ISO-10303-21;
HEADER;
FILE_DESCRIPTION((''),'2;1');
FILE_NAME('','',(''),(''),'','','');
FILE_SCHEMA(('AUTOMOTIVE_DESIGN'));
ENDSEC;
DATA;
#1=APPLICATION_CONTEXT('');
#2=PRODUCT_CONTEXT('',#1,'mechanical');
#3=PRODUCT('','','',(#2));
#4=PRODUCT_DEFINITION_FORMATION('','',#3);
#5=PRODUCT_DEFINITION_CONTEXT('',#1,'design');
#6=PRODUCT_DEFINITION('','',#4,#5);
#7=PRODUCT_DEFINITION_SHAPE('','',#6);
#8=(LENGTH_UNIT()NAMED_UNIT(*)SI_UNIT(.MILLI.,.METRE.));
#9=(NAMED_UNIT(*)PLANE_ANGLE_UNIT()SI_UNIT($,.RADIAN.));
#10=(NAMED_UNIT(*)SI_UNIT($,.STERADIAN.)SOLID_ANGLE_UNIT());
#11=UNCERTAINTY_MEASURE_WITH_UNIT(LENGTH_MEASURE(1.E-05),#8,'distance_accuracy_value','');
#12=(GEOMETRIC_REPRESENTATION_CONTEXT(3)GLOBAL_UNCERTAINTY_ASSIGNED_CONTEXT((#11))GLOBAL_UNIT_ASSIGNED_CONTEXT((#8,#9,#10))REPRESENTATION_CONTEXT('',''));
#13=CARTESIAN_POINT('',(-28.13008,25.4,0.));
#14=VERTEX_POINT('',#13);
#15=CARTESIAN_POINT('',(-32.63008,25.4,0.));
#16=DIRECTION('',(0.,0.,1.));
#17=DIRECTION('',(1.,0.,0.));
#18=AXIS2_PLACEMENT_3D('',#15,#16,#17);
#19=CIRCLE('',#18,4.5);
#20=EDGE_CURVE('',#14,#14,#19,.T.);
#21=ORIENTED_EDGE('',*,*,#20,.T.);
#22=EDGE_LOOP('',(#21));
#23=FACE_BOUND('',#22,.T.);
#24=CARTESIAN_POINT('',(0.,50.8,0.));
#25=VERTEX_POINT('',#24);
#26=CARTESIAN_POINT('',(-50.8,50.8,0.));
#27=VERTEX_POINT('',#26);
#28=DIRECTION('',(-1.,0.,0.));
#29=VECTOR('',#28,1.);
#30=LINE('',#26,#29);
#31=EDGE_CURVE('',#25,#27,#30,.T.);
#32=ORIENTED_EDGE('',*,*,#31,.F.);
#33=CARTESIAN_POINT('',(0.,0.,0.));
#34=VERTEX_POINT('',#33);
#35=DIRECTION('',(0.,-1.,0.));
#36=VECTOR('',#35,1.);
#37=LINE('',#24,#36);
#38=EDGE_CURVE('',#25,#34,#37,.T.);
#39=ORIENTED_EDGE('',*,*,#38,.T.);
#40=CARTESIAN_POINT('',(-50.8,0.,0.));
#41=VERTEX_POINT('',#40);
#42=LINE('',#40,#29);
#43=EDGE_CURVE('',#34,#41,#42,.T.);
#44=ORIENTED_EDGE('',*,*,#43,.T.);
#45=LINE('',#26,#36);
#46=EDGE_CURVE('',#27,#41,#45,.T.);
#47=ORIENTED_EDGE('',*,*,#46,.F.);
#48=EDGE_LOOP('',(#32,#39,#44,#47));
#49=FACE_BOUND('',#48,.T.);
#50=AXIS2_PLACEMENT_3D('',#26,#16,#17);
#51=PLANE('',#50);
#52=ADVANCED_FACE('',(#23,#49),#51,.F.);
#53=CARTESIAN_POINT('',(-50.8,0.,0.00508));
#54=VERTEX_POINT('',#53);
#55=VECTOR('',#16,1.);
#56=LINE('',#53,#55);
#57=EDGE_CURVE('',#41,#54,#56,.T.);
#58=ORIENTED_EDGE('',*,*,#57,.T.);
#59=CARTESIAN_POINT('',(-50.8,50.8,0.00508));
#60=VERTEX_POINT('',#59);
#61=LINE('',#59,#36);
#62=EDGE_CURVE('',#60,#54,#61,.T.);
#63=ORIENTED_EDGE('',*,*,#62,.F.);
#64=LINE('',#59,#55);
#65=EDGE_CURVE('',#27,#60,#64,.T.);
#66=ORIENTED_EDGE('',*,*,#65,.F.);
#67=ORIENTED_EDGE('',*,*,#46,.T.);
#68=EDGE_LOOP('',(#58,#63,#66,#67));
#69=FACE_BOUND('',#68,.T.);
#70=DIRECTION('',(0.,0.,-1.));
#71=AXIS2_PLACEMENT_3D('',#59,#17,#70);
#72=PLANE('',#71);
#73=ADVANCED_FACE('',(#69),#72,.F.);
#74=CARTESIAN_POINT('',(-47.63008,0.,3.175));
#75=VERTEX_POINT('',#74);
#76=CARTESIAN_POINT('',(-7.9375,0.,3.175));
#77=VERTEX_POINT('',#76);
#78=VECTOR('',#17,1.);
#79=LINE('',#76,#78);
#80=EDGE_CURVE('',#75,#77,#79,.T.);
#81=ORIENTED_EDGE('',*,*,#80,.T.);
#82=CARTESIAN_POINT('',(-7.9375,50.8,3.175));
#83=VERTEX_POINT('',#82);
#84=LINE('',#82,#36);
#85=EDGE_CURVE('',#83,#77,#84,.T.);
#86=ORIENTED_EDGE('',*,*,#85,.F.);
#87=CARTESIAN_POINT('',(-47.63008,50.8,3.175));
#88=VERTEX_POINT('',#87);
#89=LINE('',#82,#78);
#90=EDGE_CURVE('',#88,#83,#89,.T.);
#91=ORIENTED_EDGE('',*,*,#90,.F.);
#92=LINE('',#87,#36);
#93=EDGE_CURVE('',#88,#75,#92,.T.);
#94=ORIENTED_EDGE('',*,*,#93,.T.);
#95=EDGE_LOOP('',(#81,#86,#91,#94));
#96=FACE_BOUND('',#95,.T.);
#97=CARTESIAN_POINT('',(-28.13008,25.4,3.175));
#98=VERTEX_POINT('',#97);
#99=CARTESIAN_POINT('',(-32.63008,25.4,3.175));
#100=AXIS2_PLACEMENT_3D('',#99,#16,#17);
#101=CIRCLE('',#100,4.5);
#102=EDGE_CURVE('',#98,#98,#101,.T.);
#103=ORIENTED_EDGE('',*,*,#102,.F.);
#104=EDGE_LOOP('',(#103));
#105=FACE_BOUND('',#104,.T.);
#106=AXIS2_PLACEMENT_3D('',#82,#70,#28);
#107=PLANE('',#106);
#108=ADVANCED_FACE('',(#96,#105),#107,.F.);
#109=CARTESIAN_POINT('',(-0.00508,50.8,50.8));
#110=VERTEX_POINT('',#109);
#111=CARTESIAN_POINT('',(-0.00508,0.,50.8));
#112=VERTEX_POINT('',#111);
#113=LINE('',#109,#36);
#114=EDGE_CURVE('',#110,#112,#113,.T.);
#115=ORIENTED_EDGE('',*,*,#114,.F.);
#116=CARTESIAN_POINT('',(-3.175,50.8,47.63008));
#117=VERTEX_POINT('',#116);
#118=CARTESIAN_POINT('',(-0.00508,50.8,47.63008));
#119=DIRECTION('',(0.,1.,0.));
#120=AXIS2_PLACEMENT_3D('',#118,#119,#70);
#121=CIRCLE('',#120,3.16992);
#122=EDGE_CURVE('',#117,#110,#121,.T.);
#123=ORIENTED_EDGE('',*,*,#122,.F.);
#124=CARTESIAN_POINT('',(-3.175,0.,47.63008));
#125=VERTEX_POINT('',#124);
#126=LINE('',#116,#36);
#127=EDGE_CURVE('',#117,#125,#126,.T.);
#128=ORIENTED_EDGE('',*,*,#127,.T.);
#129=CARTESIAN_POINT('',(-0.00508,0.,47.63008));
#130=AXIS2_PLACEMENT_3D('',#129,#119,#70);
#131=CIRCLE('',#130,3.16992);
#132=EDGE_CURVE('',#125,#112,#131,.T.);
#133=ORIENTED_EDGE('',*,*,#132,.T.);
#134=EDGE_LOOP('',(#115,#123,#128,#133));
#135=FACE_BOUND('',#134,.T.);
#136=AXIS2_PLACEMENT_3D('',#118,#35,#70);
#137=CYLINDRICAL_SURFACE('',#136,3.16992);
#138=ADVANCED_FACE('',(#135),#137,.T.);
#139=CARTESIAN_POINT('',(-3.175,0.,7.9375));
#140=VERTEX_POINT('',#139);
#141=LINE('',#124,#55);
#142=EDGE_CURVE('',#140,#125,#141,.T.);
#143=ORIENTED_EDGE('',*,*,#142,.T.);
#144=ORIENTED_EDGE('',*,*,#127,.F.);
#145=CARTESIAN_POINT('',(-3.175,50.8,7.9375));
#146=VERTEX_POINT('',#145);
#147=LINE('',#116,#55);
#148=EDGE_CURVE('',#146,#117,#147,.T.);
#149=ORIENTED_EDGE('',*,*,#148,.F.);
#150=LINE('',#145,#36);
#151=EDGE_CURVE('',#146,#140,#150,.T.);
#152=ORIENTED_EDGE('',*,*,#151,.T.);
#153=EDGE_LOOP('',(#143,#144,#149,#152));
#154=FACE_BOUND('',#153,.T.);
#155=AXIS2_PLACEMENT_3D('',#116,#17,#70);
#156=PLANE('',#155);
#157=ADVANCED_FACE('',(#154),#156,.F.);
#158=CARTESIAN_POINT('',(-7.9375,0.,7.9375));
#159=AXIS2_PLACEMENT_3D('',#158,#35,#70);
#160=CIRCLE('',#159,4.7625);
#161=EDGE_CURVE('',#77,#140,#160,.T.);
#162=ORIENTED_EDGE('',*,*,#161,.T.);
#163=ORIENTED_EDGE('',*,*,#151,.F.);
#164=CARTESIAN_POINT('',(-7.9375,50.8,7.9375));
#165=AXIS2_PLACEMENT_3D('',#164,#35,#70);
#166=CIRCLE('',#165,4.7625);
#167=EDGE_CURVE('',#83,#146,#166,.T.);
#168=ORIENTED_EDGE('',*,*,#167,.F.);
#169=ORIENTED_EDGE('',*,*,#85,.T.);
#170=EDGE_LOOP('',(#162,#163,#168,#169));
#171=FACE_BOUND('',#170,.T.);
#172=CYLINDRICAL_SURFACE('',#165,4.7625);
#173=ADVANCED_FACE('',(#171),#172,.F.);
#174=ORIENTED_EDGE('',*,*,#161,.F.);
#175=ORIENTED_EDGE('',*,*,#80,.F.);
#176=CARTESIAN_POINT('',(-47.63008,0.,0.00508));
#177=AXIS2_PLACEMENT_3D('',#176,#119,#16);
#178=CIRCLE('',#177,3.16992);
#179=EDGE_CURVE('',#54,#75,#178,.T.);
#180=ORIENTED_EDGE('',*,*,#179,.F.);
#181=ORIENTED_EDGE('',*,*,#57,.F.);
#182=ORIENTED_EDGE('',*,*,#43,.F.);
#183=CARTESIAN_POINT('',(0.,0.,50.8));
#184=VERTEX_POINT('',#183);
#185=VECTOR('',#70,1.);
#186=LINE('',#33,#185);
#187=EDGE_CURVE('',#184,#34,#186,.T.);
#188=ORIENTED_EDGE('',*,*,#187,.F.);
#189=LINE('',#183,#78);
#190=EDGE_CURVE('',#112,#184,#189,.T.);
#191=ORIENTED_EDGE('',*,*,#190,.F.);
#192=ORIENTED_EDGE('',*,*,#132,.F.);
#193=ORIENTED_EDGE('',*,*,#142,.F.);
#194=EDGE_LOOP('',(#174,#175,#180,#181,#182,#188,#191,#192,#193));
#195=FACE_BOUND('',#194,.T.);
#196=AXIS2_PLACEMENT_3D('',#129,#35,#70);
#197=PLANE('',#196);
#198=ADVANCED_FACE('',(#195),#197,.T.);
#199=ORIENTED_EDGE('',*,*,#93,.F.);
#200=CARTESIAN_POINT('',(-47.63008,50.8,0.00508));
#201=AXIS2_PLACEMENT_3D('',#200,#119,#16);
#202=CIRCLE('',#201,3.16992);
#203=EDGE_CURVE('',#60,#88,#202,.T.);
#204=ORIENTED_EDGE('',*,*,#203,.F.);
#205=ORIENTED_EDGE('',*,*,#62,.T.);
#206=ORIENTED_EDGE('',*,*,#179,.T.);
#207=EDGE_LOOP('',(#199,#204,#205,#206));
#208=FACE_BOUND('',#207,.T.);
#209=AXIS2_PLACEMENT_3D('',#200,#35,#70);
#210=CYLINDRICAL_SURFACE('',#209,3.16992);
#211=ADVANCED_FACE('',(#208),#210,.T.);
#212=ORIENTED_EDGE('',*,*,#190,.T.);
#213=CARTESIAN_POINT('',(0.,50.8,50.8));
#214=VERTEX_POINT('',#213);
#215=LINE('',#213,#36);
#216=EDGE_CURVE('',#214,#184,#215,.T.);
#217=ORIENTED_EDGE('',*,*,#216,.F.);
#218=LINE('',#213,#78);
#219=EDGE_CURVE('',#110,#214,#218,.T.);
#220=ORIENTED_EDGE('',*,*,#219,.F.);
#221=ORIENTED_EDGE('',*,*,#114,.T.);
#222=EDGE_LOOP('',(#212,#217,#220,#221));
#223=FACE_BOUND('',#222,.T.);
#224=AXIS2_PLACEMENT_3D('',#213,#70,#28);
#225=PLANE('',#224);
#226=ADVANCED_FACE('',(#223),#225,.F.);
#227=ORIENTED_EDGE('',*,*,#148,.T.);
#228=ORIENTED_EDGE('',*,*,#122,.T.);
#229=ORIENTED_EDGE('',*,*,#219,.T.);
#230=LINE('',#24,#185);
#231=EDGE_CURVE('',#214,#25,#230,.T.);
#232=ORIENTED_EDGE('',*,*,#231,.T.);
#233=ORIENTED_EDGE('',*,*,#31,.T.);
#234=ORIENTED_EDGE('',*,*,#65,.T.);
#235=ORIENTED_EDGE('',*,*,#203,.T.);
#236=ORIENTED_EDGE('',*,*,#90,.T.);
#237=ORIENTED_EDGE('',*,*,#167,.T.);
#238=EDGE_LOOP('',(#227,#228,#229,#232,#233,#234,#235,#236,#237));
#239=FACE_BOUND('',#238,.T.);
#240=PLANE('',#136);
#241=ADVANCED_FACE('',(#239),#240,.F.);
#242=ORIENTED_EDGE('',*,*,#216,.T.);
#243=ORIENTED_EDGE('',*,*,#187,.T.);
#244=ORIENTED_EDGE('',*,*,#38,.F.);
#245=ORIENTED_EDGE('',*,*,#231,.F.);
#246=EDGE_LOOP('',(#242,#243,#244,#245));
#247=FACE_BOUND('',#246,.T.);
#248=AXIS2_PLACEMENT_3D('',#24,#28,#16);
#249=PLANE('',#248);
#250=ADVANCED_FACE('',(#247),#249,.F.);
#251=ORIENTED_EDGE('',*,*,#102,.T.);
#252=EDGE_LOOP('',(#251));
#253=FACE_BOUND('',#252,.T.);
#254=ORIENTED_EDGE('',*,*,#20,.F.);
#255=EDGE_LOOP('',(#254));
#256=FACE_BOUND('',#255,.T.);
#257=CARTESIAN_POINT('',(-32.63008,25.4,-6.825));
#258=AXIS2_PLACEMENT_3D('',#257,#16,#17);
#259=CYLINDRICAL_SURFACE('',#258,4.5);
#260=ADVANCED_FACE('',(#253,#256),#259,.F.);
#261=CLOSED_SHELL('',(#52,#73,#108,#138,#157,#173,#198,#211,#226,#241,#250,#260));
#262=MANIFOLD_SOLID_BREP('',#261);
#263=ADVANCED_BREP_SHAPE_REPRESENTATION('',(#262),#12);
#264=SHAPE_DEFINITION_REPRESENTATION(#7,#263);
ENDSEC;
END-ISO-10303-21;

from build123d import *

# Parameters (mm, degrees)
HIERRO_ANGULAR_2_X_2_X_0_125_1_DEPTH = 50.8
CROQUIS3_R                           = 4.5
CORTAR_EXTRUIR1_DEPTH                = 10


with BuildPart() as part:
    # Sketch1 → Hierro angular 2 X 2 X 0.125(1) (new body)
    with BuildSketch(Plane(origin=(0, 0, 0), x_dir=(-1, 0, 0), z_dir=(0, 1, 0))):
        with BuildLine():
            Line((0, 0), (0, 50.8))
            Line((0, 50.8), (0.00508, 50.8))
            ThreePointArc((0.00508, 50.8), (2.246551928, 49.871551928), (3.175, 47.63008))
            Line((3.175, 47.63008), (3.175, 7.9375))
            ThreePointArc((3.175, 7.9375), (4.569903955, 4.569903955), (7.9375, 3.175))
            Line((7.9375, 3.175), (47.63008, 3.175))
            ThreePointArc((47.63008, 3.175), (49.871551928, 2.246551928), (50.8, 0.00508))
            Line((50.8, 0.00508), (50.8, 0))
            Line((50.8, 0), (0, 0))
        make_face()
    extrude(amount=HIERRO_ANGULAR_2_X_2_X_0_125_1_DEPTH)

    # Croquis3 → Cortar-Extruir1 (cut)
    with BuildSketch(Plane.XY.offset(3.175)):
        with Locations((-32.63008, 25.4)):
            Circle(CROQUIS3_R)
    extrude(amount=-CORTAR_EXTRUIR1_DEPTH, mode=Mode.SUBTRACT)


solid = part.part
